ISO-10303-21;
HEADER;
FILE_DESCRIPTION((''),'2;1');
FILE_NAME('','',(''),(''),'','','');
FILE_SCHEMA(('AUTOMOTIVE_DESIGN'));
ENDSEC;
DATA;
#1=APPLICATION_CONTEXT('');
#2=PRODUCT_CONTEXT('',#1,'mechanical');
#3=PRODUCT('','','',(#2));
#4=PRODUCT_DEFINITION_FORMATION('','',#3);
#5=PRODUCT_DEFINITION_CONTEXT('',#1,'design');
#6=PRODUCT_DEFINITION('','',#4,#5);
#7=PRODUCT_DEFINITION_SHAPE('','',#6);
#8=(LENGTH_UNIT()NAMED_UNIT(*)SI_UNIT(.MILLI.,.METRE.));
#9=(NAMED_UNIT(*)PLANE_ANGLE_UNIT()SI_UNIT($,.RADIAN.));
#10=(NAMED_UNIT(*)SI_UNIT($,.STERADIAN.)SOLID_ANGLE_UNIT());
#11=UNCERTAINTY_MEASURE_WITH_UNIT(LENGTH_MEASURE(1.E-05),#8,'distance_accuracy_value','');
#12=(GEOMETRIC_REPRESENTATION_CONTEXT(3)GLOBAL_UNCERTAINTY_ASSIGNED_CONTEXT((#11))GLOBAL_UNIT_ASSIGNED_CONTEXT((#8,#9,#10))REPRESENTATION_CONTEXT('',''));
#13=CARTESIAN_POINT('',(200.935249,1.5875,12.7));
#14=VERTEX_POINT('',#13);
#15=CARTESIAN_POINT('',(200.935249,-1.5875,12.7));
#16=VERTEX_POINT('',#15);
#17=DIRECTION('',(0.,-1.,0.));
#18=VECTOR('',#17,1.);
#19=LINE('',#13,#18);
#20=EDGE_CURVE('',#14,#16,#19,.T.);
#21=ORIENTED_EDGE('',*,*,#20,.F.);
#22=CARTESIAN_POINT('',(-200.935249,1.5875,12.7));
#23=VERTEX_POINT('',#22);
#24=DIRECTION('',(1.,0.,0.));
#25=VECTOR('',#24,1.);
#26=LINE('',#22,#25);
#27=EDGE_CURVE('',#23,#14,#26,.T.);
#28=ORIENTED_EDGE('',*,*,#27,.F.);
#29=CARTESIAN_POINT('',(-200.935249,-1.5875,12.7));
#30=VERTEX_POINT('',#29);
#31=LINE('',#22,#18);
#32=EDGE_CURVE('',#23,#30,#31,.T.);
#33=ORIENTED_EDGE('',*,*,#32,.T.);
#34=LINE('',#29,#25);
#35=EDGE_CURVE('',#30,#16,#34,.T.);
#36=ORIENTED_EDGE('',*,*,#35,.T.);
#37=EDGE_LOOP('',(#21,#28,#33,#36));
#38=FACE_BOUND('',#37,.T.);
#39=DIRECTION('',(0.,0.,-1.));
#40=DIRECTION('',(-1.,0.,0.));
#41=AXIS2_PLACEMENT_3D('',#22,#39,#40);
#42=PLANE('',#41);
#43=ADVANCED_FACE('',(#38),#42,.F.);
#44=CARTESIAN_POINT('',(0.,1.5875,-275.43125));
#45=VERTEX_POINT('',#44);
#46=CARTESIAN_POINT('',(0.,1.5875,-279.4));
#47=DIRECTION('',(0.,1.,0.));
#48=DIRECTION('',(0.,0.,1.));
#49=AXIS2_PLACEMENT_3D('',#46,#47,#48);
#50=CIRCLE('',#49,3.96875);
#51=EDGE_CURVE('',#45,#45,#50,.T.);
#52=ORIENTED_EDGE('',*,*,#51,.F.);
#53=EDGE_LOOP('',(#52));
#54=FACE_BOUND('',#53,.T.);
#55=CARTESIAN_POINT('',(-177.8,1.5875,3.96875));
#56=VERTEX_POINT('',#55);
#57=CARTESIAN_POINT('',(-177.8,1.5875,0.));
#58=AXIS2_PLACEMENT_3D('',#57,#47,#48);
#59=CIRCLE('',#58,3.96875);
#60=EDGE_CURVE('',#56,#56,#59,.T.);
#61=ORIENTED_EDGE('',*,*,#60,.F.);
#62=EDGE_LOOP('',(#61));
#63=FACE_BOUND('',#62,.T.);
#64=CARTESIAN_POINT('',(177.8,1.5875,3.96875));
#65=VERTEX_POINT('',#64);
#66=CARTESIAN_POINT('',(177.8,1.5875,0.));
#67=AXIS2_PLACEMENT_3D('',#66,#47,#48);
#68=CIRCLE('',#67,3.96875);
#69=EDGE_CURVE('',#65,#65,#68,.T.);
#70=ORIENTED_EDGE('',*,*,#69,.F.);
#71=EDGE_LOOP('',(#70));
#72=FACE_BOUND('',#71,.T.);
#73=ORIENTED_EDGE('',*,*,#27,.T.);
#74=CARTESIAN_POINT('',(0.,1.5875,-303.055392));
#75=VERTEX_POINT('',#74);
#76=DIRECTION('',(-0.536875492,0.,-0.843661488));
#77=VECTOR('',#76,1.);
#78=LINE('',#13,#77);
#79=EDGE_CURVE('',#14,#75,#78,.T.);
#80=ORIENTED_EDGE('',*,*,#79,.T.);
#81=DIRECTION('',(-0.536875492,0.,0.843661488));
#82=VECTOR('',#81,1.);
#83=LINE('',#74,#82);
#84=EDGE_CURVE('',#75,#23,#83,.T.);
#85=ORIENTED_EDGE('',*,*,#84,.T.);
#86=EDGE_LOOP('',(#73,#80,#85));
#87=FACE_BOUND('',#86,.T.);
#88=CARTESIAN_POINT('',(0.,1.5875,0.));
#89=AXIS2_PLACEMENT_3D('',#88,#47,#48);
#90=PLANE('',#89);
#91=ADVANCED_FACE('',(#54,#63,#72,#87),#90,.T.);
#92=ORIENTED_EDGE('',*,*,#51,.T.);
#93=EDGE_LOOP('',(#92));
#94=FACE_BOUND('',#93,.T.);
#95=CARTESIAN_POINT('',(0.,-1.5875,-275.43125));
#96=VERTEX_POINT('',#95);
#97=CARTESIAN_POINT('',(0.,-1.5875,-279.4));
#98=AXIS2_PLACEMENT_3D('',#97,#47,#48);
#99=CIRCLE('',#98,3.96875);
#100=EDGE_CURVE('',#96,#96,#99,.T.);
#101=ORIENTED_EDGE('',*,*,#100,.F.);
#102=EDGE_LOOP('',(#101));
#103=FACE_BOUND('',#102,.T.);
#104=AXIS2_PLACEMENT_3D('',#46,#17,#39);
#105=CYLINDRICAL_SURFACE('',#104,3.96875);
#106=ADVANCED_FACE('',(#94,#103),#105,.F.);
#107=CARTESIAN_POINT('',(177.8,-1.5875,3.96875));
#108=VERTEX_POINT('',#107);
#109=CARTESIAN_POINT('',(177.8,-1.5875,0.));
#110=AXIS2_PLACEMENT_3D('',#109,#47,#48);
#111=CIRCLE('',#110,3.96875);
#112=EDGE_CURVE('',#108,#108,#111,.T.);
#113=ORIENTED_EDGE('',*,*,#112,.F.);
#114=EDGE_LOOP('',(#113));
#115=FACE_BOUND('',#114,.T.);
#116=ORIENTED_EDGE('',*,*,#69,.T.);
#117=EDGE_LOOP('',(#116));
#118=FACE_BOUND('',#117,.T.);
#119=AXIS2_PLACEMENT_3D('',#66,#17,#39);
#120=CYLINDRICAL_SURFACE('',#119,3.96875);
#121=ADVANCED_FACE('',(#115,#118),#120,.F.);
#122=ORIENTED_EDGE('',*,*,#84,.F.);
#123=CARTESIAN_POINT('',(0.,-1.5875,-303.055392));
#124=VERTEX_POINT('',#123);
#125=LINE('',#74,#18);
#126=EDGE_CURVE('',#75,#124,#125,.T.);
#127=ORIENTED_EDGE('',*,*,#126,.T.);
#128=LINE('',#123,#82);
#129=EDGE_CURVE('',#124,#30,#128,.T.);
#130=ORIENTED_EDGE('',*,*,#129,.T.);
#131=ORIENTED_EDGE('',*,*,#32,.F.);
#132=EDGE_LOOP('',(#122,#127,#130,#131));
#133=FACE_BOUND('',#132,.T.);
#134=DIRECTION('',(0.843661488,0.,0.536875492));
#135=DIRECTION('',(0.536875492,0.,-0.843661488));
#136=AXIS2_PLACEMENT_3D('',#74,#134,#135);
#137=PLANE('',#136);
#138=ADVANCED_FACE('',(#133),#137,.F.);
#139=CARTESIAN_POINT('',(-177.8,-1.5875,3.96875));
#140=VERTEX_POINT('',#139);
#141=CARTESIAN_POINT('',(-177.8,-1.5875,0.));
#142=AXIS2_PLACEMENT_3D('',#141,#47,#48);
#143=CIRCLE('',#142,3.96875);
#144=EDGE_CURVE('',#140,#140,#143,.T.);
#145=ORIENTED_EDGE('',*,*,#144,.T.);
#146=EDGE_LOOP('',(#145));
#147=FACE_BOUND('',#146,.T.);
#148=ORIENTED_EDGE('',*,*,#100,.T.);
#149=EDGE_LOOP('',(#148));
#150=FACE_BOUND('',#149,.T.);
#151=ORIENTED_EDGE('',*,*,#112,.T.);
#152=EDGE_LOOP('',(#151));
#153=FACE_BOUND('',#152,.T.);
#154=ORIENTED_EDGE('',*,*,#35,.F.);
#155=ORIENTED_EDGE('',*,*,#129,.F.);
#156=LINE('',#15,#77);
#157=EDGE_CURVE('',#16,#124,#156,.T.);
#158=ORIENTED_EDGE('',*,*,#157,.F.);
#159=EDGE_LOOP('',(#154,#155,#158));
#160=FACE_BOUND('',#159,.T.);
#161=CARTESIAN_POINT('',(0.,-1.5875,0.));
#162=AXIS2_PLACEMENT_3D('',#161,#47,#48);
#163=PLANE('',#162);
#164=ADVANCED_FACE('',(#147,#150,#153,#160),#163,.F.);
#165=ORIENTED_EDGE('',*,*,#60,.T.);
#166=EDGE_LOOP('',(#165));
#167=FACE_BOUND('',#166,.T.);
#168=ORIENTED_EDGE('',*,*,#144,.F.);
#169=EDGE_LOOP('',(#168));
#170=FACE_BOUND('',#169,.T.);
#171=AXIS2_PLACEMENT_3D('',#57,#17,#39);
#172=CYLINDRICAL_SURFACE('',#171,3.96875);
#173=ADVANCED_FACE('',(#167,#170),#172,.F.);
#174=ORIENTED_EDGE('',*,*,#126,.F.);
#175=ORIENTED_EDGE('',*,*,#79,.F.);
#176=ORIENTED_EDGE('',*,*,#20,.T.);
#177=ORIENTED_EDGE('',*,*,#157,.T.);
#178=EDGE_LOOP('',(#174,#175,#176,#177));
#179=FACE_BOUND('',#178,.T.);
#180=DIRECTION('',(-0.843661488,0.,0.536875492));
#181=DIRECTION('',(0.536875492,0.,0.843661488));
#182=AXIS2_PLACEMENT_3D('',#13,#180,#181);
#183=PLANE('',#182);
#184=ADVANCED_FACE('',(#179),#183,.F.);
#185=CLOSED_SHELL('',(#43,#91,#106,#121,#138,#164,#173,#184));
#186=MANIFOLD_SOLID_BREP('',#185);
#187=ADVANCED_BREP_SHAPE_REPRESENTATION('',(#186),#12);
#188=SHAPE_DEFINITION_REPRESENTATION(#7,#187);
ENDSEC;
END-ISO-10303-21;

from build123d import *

# Parameters (mm, degrees)
SKETCH1_R           = 3.96875
BOSS_EXTRUDE1_DEPTH = 1.5875


with BuildPart() as part:
    # Sketch1 → Boss-Extrude1 (new, symmetric)
    with BuildSketch(Plane(origin=(0, 0, 0), x_dir=(1, 0, 0), z_dir=(0, 1, 0))):
        Polygon((0, 303.055391585), (-200.93524919, -12.7), (200.93524919, -12.7), align=None)
        with Locations(Location((-177.8, 0, 0), (0, 0, 270))):
            Circle(SKETCH1_R, mode=Mode.SUBTRACT)
        with Locations(Location((0, 279.4, 0), (0, 0, 270))):
            Circle(SKETCH1_R, mode=Mode.SUBTRACT)
        with Locations(Location((177.8, 0, 0), (0, 0, 270))):
            Circle(SKETCH1_R, mode=Mode.SUBTRACT)
    extrude(amount=BOSS_EXTRUDE1_DEPTH, both=True)


solid = part.part
